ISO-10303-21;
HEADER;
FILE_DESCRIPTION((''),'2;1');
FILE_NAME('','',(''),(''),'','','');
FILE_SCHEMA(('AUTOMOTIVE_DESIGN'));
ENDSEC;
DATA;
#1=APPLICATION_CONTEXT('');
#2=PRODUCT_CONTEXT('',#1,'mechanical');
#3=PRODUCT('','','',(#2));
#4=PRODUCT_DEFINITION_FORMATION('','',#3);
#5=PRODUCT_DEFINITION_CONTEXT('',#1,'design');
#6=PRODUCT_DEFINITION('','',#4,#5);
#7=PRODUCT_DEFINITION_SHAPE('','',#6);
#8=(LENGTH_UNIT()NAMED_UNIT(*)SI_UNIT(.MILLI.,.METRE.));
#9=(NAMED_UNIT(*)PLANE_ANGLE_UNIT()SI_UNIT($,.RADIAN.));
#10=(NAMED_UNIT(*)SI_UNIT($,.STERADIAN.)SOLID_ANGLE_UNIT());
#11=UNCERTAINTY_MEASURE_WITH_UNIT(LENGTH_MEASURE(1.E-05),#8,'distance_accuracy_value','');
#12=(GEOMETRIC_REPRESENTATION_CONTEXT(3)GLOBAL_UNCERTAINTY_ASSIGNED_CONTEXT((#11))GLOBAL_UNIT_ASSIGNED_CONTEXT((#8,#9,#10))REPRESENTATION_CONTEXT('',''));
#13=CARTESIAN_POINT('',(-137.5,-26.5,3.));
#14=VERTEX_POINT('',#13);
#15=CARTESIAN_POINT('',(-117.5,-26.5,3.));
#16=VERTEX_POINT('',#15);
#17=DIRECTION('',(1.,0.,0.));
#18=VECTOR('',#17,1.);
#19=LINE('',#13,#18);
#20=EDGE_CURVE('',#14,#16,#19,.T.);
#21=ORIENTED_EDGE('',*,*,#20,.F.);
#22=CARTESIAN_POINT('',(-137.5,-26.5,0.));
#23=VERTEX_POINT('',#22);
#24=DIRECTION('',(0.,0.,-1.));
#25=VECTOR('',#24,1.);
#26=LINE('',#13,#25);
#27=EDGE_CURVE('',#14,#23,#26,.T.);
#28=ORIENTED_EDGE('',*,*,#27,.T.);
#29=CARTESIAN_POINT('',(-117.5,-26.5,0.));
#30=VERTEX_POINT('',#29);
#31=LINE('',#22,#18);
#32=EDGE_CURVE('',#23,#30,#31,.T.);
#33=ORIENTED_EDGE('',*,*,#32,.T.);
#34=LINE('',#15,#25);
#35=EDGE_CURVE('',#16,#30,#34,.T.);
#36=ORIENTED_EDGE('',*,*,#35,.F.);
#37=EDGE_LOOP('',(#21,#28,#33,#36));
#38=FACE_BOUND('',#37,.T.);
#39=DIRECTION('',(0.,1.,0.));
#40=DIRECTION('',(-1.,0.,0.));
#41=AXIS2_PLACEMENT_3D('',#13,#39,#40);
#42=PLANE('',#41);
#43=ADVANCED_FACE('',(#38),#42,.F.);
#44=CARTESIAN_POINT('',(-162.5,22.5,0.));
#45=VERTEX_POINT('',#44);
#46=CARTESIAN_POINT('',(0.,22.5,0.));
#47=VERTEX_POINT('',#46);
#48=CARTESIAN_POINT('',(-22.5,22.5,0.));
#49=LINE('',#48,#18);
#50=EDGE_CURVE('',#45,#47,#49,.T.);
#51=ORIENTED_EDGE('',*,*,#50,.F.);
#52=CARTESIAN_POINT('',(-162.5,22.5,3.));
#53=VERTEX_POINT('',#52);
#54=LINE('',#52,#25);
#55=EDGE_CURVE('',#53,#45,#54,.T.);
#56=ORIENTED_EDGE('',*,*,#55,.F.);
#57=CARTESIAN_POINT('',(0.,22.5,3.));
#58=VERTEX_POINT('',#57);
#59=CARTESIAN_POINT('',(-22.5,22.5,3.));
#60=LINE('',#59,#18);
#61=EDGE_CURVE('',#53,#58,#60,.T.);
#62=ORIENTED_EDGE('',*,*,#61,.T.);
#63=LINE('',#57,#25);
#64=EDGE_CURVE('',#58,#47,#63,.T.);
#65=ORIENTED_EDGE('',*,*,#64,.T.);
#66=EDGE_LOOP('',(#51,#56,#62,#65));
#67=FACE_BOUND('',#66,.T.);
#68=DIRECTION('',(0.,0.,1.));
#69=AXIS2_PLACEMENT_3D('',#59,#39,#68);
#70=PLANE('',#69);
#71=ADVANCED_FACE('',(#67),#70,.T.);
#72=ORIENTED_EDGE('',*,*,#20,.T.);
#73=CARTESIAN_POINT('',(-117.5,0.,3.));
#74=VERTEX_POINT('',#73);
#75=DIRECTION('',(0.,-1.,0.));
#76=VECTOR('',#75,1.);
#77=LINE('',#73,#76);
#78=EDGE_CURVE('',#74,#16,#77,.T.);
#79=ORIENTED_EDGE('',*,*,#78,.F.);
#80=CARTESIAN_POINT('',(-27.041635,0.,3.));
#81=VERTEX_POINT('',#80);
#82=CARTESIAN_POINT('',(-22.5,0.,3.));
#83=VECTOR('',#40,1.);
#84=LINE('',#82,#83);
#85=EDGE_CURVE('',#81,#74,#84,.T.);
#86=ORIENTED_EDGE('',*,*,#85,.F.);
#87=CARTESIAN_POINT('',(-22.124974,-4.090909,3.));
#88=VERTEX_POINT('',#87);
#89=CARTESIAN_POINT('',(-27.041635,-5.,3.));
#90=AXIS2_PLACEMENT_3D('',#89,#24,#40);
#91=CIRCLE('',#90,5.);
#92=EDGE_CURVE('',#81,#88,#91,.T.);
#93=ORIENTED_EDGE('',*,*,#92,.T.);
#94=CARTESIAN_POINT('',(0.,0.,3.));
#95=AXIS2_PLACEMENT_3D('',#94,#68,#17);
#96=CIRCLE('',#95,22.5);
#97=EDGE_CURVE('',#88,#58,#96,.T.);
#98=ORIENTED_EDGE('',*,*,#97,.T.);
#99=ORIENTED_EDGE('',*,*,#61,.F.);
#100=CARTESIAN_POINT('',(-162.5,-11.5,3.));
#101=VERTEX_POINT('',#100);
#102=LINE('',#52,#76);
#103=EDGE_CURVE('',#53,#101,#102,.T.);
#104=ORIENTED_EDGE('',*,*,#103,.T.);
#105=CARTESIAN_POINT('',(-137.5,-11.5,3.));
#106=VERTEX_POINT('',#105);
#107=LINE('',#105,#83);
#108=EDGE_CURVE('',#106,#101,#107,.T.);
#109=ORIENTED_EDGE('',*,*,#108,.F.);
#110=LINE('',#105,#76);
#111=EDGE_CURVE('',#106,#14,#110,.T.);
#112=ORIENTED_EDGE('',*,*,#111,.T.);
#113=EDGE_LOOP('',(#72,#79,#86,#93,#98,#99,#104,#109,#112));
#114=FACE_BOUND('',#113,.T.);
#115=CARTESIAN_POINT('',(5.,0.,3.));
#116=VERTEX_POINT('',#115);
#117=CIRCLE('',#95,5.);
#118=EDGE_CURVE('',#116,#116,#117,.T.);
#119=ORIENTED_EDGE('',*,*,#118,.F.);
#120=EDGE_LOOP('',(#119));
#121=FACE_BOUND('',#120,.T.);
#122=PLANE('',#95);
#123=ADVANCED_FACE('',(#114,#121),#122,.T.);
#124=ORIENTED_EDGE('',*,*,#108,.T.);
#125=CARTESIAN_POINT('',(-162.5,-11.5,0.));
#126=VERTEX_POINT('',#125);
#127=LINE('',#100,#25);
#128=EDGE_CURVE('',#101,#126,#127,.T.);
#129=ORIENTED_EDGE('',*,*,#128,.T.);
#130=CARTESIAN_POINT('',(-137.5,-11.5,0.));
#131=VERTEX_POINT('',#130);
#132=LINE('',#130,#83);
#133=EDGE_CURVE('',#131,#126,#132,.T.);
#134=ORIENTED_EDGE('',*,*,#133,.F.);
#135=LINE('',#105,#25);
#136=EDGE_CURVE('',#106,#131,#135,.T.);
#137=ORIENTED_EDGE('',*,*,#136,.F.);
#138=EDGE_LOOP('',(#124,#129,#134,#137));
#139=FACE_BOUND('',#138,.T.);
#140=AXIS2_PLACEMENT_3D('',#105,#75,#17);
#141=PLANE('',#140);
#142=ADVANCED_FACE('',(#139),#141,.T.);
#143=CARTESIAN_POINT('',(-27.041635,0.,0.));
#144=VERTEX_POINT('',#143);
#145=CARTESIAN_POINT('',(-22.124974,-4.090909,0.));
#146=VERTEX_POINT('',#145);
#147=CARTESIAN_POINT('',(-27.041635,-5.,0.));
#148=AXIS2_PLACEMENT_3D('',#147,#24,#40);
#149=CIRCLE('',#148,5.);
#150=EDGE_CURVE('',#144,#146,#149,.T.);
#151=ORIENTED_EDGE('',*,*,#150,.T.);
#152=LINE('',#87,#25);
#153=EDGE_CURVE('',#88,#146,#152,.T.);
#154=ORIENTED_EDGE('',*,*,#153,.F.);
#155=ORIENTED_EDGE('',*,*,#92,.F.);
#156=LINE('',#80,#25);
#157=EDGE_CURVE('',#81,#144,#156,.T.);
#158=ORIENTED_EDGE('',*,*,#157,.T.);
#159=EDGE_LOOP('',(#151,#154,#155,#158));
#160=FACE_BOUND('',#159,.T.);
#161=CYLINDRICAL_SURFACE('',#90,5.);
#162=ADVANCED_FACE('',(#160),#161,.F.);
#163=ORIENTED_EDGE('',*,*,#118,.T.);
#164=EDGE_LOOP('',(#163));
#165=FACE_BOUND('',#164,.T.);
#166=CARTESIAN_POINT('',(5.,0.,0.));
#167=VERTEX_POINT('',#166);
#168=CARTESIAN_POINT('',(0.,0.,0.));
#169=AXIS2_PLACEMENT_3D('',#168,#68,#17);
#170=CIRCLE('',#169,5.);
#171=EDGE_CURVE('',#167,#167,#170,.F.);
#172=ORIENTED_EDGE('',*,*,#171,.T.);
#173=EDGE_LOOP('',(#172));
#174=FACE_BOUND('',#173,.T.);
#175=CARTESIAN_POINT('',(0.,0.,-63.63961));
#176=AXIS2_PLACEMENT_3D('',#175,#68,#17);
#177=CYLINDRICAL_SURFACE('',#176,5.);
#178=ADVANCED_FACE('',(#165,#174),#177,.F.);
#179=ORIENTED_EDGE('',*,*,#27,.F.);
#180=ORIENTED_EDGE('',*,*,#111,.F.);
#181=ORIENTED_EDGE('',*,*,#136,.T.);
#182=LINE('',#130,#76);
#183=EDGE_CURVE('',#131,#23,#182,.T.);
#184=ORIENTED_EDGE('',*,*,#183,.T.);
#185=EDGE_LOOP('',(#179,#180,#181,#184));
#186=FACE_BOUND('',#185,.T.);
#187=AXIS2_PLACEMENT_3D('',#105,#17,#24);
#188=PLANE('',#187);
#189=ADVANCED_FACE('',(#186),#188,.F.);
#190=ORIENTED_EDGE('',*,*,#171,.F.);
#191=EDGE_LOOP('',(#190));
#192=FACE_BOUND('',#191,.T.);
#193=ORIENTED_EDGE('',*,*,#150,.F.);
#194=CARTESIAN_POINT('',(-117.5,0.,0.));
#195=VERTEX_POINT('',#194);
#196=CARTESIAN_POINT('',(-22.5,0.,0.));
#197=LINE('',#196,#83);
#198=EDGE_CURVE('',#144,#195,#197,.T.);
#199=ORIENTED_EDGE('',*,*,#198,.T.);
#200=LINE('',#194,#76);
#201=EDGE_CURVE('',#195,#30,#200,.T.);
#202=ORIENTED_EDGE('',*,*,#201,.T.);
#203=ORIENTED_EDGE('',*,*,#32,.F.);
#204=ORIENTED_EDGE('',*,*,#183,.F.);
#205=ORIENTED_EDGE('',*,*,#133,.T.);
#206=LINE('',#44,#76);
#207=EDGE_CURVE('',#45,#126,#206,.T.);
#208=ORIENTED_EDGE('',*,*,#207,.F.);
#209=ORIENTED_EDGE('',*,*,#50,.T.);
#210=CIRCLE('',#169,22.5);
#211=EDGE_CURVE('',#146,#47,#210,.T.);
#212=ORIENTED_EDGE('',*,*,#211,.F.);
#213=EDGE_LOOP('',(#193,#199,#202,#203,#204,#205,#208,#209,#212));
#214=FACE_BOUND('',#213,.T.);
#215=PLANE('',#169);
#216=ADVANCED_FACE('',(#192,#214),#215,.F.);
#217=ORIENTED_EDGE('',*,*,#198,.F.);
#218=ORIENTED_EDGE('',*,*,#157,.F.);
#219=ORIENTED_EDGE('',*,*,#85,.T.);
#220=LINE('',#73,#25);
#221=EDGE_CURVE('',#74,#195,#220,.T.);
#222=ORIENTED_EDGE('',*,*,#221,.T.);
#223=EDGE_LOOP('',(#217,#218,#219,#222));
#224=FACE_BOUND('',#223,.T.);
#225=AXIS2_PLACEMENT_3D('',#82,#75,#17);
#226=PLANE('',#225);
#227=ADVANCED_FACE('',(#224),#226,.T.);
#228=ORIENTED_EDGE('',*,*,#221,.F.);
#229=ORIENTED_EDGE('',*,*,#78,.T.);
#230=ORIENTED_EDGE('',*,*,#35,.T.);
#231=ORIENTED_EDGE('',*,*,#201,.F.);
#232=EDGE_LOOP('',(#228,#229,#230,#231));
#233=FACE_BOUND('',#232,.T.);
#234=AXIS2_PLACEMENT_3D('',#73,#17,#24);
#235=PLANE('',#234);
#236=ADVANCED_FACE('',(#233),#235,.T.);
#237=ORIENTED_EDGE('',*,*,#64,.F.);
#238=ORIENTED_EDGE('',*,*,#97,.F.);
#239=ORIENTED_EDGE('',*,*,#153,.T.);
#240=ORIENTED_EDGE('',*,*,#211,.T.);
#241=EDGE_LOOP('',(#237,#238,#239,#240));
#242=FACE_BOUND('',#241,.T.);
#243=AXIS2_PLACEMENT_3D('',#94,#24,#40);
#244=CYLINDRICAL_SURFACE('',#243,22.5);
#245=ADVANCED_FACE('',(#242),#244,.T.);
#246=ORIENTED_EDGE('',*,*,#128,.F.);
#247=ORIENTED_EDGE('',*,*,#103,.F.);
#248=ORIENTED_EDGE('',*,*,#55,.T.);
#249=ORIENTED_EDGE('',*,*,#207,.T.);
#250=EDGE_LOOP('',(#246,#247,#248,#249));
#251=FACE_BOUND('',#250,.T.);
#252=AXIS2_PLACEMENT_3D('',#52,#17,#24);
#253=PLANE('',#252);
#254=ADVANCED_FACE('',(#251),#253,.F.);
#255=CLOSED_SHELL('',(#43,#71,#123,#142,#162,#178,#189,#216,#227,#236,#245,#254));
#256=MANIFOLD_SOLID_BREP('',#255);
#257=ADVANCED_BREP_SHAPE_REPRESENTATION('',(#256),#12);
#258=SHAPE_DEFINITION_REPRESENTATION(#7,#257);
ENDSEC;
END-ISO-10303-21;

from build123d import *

# Parameters (mm, degrees)
SKETCH1_R           = 2.5
BOSS_EXTRUDE1_DEPTH = 3
BOSS_EXTRUDE2_START = -3
SKETCH3_R           = 22.5
SKETCH3_R_2         = 5
BOSS_EXTRUDE2_DEPTH = 3


with BuildPart() as part:
    # Sketch1 → Boss-Extrude1 (new body)
    # profile 1 of 8: a face of its own
    with BuildSketch(Plane.XY):
        with BuildLine():
            ThreePointArc((22.5, 0), (15.909902577, 15.909902577), (0, 22.5))
            Line((0, 22.5), (-22.5, 0))
            Line((-22.5, 0), (-22.124973736, -4.090909091))
            ThreePointArc((-22.124973736, -4.090909091), (2.054031517, -22.406047276), (22.5, 0))
        make_face()
        with BuildLine():
            ThreePointArc((-7.5, 5), (-9.267766953, 9.267766953), (-5, 7.5))
            Line((-5, 7.5), (-5, 9))
            Line((-5, 9), (-2.405779746, 18.179870439))
            ThreePointArc((-2.405779746, 18.179870439), (0, 20), (2.405779746, 18.179870439))
            Line((2.405779746, 18.179870439), (5, 9))
            Line((5, 9), (5, 7.5))
            ThreePointArc((5, 7.5), (7.5, 10), (10, 7.5))
            ThreePointArc((10, 7.5), (9.267766953, 5.732233047), (7.5, 5))
            Line((7.5, 5), (9, 5))
            Line((9, 5), (18.179870439, 2.405779746))
            ThreePointArc((18.179870439, 2.405779746), (19.493699588, 1.508363998), (20, 0))
            ThreePointArc((20, 0), (19.493699588, -1.508363998), (18.179870439, -2.405779746))
            Line((18.179870439, -2.405779746), (9, -5))
            Line((9, -5), (7.5, -5))
            ThreePointArc((7.5, -5), (9.267766953, -5.732233047), (10, -7.5))
            ThreePointArc((10, -7.5), (7.5, -10), (5, -7.5))
            Line((5, -7.5), (5, -9))
            Line((5, -9), (2.405779746, -18.179870439))
            ThreePointArc((2.405779746, -18.179870439), (0, -20), (-2.405779746, -18.179870439))
            Line((-2.405779746, -18.179870439), (-5, -9))
            Line((-5, -9), (-5, -7.5))
            ThreePointArc((-5, -7.5), (-9.267766953, -9.267766953), (-7.5, -5))
            Line((-7.5, -5), (-9, -5))
            Line((-9, -5), (-18.179870439, -2.405779746))
            ThreePointArc((-18.179870439, -2.405779746), (-20, 0), (-18.179870439, 2.405779746))
            Line((-18.179870439, 2.405779746), (-9, 5))
            Line((-9, 5), (-7.5, 5))
        make_face(mode=Mode.SUBTRACT)
    # profile 2 of 8: a face of its own
    with BuildSketch(Plane.XY):
        with Locations((-7.5, 7.5)):
            Circle(SKETCH1_R)
    # profile 3 of 8: a face of its own
    with BuildSketch(Plane.XY):
        with Locations((7.5, 7.5)):
            Circle(SKETCH1_R)
    # profile 4 of 8: a face of its own
    with BuildSketch(Plane.XY):
        with Locations((7.5, -7.5)):
            Circle(SKETCH1_R)
    # profile 5 of 8: a face of its own
    with BuildSketch(Plane.XY):
        with Locations((-7.5, -7.5)):
            Circle(SKETCH1_R)
    # profile 6 of 8: a face of its own
    with BuildSketch(Plane.XY):
        Polygon((-22.5, 22.5), (0, 22.5), (-22.5, 0), align=None)
    # profile 7 of 8: a face of its own
    with BuildSketch(Plane.XY):
        Polygon((-22.5, 0), (-22.5, 22.5), (-162.5, 22.5), (-162.5, -11.5), (-137.5, -11.5), (-137.5, -26.5), (-117.5, -26.5), (-117.5, 0), align=None)
    # profile 8 of 8: a face of its own
    with BuildSketch(Plane.XY):
        with BuildLine():
            Line((-22.5, 0), (-22.124973736, -4.090909091))
            ThreePointArc((-22.124973736, -4.090909091), (-23.843623821, -1.156469426), (-27.041634566, 0))
            Line((-27.041634566, 0), (-22.5, 0))
        make_face()
    extrude(amount=BOSS_EXTRUDE1_DEPTH)

    # Sketch3 → Boss-Extrude2 (add)
    with BuildSketch(Plane.XY.offset(3).offset(BOSS_EXTRUDE2_START)):
        Circle(SKETCH3_R)
        Circle(SKETCH3_R_2, mode=Mode.SUBTRACT)
    extrude(amount=BOSS_EXTRUDE2_DEPTH)


solid = part.part
